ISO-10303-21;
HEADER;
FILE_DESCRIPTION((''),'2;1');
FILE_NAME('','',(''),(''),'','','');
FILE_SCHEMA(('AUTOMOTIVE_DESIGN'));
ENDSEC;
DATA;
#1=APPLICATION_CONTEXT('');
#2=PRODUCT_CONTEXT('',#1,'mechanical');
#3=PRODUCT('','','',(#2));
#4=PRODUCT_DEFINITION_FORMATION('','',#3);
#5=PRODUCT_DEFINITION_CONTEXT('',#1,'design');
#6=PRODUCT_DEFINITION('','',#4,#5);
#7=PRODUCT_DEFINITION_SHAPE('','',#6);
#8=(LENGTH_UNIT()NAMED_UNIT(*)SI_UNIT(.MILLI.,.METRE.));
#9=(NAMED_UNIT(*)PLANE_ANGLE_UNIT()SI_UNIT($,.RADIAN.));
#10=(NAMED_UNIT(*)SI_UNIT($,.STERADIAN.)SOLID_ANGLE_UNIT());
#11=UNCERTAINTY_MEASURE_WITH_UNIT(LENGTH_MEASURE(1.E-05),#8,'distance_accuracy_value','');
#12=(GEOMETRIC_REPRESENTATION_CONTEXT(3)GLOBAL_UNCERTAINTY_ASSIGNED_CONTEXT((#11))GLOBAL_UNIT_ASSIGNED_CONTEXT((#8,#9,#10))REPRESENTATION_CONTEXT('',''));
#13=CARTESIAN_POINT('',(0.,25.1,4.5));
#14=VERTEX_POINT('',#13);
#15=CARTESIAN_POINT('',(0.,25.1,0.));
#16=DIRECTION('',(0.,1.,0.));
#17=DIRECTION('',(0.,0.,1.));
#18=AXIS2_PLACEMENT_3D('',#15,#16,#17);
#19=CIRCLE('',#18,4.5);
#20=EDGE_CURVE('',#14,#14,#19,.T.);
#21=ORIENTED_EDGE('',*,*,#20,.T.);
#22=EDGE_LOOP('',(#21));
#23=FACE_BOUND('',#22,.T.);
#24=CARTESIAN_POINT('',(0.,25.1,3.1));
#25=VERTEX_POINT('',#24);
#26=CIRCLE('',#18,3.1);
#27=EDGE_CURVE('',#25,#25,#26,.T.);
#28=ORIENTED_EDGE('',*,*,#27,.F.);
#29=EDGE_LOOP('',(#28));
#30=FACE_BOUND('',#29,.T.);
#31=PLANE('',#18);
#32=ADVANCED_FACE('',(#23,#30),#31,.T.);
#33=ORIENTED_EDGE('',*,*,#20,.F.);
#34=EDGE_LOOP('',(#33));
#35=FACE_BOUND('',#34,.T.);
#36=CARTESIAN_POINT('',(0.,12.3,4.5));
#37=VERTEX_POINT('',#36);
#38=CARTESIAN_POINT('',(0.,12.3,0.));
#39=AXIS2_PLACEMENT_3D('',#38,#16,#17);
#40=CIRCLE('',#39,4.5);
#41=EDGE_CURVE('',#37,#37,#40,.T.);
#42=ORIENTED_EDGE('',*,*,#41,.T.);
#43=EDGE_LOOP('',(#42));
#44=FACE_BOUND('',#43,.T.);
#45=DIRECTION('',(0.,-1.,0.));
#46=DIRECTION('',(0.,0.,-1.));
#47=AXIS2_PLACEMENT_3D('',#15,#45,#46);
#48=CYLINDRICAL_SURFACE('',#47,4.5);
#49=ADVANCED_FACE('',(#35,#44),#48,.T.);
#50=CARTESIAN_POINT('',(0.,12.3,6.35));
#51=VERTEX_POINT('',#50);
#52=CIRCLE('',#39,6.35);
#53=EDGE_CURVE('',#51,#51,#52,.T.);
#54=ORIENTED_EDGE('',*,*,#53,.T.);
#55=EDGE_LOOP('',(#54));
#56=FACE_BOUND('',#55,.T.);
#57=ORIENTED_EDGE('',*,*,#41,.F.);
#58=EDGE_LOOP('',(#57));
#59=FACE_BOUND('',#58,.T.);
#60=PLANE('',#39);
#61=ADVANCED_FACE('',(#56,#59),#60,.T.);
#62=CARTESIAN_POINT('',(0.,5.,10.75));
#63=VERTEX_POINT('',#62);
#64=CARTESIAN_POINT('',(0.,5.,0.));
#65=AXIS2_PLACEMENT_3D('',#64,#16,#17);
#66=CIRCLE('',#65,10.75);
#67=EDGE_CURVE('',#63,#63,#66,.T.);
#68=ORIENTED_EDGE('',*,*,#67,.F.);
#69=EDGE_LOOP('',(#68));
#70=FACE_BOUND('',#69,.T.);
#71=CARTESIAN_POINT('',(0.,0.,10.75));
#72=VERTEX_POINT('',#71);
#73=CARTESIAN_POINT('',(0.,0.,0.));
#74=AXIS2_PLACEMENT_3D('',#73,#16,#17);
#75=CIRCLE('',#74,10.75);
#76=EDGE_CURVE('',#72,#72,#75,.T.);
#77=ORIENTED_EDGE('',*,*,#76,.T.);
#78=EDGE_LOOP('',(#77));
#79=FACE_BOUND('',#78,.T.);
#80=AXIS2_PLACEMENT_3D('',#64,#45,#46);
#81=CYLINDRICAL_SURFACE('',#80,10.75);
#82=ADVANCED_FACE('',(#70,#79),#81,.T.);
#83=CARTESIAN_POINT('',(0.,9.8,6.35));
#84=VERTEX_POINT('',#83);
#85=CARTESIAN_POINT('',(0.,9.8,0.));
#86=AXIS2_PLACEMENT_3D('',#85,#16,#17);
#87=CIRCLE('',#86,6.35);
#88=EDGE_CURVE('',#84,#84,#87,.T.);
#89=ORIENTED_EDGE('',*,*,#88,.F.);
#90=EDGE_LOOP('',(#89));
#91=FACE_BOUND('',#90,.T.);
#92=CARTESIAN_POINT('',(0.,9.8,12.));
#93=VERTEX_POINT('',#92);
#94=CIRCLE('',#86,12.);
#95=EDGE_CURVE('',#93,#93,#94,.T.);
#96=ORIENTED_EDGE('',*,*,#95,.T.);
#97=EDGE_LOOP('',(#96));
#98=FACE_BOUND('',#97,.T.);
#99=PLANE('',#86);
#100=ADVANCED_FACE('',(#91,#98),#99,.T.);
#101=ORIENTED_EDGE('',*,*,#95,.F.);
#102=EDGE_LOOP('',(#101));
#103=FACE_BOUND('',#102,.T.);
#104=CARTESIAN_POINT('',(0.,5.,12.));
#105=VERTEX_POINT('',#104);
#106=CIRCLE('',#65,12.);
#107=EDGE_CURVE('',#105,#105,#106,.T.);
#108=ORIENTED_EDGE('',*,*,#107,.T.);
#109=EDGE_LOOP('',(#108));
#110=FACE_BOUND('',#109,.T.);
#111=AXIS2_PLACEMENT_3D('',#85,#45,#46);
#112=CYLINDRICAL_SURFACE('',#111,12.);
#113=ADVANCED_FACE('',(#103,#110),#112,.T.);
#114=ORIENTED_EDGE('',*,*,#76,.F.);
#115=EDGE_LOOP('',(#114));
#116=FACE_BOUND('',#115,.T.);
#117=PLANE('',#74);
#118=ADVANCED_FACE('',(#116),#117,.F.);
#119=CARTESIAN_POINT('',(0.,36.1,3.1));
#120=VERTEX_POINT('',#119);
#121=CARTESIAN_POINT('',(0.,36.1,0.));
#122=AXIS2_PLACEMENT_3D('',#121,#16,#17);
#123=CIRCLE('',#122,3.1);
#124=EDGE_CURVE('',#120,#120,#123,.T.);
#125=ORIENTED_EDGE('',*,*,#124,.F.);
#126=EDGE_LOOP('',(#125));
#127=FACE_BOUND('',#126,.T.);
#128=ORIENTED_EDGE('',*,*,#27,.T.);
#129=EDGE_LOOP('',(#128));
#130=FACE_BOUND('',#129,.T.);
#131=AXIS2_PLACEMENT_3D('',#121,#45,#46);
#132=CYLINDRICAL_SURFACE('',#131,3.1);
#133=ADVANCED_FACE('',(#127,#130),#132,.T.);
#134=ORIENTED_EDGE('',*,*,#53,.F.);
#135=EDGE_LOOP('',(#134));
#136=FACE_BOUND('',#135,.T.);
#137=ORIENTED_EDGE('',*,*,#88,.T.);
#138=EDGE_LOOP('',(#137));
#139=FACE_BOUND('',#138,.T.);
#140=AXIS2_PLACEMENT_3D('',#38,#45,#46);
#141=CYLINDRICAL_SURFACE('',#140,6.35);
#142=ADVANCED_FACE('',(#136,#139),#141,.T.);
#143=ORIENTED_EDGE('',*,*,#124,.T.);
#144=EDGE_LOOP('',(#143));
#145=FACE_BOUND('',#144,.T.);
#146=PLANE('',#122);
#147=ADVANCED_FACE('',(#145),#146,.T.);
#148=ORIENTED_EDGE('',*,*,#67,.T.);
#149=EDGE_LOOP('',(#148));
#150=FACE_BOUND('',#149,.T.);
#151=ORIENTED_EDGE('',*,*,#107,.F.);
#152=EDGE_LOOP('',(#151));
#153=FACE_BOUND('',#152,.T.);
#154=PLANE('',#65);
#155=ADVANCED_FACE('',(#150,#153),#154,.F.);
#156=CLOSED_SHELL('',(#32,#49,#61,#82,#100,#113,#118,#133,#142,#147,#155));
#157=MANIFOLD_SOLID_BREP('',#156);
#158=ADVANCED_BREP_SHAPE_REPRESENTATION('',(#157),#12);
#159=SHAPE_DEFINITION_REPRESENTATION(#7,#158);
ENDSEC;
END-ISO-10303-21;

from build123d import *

# Parameters (mm, degrees)
SKETCH1_R           = 10.75
BOSS_EXTRUDE1_DEPTH = 5
SKETCH2_R           = 12
BOSS_EXTRUDE2_DEPTH = 4.8
SKETCH3_R           = 6.35
BOSS_EXTRUDE3_DEPTH = 2.5
SKETCH4_R           = 4.5
BOSS_EXTRUDE4_DEPTH = 12.8
SKETCH6_R           = 3.1
BOSS_EXTRUDE5_DEPTH = 11


with BuildPart() as part:
    # Sketch1 → Boss-Extrude1 (new body)
    with BuildSketch(Plane(origin=(0, 0, 0), x_dir=(1, 0, 0), z_dir=(0, 1, 0))):
        with Locations(Location((0, 0, 0), (0, 0, 270))):
            Circle(SKETCH1_R)
    extrude(amount=BOSS_EXTRUDE1_DEPTH)

    # Sketch2 → Boss-Extrude2 (add)
    with BuildSketch(Plane(origin=(0, 5, 0), x_dir=(1, 0, 0), z_dir=(0, 1, 0))):
        with Locations(Location((0, 0, 0), (0, 0, 270))):
            Circle(SKETCH2_R)
    extrude(amount=BOSS_EXTRUDE2_DEPTH)

    # Sketch3 → Boss-Extrude3 (add)
    with BuildSketch(Plane(origin=(0, 9.8, 0), x_dir=(1, 0, 0), z_dir=(0, 1, 0))):
        with Locations(Location((0, 0, 0), (0, 0, 270))):
            Circle(SKETCH3_R)
    extrude(amount=BOSS_EXTRUDE3_DEPTH)

    # Sketch4 → Boss-Extrude4 (add)
    with BuildSketch(Plane(origin=(0, 12.3, 0), x_dir=(1, 0, 0), z_dir=(0, 1, 0))):
        with Locations(Location((0, 0, 0), (0, 0, 270))):
            Circle(SKETCH4_R)
    extrude(amount=BOSS_EXTRUDE4_DEPTH)

    # Sketch6 → Boss-Extrude5 (add)
    with BuildSketch(Plane(origin=(0, 25.1, 0), x_dir=(1, 0, 0), z_dir=(0, 1, 0))):
        with Locations(Location((0, 0, 0), (0, 0, 270))):
            Circle(SKETCH6_R)
    extrude(amount=BOSS_EXTRUDE5_DEPTH)


solid = part.part
